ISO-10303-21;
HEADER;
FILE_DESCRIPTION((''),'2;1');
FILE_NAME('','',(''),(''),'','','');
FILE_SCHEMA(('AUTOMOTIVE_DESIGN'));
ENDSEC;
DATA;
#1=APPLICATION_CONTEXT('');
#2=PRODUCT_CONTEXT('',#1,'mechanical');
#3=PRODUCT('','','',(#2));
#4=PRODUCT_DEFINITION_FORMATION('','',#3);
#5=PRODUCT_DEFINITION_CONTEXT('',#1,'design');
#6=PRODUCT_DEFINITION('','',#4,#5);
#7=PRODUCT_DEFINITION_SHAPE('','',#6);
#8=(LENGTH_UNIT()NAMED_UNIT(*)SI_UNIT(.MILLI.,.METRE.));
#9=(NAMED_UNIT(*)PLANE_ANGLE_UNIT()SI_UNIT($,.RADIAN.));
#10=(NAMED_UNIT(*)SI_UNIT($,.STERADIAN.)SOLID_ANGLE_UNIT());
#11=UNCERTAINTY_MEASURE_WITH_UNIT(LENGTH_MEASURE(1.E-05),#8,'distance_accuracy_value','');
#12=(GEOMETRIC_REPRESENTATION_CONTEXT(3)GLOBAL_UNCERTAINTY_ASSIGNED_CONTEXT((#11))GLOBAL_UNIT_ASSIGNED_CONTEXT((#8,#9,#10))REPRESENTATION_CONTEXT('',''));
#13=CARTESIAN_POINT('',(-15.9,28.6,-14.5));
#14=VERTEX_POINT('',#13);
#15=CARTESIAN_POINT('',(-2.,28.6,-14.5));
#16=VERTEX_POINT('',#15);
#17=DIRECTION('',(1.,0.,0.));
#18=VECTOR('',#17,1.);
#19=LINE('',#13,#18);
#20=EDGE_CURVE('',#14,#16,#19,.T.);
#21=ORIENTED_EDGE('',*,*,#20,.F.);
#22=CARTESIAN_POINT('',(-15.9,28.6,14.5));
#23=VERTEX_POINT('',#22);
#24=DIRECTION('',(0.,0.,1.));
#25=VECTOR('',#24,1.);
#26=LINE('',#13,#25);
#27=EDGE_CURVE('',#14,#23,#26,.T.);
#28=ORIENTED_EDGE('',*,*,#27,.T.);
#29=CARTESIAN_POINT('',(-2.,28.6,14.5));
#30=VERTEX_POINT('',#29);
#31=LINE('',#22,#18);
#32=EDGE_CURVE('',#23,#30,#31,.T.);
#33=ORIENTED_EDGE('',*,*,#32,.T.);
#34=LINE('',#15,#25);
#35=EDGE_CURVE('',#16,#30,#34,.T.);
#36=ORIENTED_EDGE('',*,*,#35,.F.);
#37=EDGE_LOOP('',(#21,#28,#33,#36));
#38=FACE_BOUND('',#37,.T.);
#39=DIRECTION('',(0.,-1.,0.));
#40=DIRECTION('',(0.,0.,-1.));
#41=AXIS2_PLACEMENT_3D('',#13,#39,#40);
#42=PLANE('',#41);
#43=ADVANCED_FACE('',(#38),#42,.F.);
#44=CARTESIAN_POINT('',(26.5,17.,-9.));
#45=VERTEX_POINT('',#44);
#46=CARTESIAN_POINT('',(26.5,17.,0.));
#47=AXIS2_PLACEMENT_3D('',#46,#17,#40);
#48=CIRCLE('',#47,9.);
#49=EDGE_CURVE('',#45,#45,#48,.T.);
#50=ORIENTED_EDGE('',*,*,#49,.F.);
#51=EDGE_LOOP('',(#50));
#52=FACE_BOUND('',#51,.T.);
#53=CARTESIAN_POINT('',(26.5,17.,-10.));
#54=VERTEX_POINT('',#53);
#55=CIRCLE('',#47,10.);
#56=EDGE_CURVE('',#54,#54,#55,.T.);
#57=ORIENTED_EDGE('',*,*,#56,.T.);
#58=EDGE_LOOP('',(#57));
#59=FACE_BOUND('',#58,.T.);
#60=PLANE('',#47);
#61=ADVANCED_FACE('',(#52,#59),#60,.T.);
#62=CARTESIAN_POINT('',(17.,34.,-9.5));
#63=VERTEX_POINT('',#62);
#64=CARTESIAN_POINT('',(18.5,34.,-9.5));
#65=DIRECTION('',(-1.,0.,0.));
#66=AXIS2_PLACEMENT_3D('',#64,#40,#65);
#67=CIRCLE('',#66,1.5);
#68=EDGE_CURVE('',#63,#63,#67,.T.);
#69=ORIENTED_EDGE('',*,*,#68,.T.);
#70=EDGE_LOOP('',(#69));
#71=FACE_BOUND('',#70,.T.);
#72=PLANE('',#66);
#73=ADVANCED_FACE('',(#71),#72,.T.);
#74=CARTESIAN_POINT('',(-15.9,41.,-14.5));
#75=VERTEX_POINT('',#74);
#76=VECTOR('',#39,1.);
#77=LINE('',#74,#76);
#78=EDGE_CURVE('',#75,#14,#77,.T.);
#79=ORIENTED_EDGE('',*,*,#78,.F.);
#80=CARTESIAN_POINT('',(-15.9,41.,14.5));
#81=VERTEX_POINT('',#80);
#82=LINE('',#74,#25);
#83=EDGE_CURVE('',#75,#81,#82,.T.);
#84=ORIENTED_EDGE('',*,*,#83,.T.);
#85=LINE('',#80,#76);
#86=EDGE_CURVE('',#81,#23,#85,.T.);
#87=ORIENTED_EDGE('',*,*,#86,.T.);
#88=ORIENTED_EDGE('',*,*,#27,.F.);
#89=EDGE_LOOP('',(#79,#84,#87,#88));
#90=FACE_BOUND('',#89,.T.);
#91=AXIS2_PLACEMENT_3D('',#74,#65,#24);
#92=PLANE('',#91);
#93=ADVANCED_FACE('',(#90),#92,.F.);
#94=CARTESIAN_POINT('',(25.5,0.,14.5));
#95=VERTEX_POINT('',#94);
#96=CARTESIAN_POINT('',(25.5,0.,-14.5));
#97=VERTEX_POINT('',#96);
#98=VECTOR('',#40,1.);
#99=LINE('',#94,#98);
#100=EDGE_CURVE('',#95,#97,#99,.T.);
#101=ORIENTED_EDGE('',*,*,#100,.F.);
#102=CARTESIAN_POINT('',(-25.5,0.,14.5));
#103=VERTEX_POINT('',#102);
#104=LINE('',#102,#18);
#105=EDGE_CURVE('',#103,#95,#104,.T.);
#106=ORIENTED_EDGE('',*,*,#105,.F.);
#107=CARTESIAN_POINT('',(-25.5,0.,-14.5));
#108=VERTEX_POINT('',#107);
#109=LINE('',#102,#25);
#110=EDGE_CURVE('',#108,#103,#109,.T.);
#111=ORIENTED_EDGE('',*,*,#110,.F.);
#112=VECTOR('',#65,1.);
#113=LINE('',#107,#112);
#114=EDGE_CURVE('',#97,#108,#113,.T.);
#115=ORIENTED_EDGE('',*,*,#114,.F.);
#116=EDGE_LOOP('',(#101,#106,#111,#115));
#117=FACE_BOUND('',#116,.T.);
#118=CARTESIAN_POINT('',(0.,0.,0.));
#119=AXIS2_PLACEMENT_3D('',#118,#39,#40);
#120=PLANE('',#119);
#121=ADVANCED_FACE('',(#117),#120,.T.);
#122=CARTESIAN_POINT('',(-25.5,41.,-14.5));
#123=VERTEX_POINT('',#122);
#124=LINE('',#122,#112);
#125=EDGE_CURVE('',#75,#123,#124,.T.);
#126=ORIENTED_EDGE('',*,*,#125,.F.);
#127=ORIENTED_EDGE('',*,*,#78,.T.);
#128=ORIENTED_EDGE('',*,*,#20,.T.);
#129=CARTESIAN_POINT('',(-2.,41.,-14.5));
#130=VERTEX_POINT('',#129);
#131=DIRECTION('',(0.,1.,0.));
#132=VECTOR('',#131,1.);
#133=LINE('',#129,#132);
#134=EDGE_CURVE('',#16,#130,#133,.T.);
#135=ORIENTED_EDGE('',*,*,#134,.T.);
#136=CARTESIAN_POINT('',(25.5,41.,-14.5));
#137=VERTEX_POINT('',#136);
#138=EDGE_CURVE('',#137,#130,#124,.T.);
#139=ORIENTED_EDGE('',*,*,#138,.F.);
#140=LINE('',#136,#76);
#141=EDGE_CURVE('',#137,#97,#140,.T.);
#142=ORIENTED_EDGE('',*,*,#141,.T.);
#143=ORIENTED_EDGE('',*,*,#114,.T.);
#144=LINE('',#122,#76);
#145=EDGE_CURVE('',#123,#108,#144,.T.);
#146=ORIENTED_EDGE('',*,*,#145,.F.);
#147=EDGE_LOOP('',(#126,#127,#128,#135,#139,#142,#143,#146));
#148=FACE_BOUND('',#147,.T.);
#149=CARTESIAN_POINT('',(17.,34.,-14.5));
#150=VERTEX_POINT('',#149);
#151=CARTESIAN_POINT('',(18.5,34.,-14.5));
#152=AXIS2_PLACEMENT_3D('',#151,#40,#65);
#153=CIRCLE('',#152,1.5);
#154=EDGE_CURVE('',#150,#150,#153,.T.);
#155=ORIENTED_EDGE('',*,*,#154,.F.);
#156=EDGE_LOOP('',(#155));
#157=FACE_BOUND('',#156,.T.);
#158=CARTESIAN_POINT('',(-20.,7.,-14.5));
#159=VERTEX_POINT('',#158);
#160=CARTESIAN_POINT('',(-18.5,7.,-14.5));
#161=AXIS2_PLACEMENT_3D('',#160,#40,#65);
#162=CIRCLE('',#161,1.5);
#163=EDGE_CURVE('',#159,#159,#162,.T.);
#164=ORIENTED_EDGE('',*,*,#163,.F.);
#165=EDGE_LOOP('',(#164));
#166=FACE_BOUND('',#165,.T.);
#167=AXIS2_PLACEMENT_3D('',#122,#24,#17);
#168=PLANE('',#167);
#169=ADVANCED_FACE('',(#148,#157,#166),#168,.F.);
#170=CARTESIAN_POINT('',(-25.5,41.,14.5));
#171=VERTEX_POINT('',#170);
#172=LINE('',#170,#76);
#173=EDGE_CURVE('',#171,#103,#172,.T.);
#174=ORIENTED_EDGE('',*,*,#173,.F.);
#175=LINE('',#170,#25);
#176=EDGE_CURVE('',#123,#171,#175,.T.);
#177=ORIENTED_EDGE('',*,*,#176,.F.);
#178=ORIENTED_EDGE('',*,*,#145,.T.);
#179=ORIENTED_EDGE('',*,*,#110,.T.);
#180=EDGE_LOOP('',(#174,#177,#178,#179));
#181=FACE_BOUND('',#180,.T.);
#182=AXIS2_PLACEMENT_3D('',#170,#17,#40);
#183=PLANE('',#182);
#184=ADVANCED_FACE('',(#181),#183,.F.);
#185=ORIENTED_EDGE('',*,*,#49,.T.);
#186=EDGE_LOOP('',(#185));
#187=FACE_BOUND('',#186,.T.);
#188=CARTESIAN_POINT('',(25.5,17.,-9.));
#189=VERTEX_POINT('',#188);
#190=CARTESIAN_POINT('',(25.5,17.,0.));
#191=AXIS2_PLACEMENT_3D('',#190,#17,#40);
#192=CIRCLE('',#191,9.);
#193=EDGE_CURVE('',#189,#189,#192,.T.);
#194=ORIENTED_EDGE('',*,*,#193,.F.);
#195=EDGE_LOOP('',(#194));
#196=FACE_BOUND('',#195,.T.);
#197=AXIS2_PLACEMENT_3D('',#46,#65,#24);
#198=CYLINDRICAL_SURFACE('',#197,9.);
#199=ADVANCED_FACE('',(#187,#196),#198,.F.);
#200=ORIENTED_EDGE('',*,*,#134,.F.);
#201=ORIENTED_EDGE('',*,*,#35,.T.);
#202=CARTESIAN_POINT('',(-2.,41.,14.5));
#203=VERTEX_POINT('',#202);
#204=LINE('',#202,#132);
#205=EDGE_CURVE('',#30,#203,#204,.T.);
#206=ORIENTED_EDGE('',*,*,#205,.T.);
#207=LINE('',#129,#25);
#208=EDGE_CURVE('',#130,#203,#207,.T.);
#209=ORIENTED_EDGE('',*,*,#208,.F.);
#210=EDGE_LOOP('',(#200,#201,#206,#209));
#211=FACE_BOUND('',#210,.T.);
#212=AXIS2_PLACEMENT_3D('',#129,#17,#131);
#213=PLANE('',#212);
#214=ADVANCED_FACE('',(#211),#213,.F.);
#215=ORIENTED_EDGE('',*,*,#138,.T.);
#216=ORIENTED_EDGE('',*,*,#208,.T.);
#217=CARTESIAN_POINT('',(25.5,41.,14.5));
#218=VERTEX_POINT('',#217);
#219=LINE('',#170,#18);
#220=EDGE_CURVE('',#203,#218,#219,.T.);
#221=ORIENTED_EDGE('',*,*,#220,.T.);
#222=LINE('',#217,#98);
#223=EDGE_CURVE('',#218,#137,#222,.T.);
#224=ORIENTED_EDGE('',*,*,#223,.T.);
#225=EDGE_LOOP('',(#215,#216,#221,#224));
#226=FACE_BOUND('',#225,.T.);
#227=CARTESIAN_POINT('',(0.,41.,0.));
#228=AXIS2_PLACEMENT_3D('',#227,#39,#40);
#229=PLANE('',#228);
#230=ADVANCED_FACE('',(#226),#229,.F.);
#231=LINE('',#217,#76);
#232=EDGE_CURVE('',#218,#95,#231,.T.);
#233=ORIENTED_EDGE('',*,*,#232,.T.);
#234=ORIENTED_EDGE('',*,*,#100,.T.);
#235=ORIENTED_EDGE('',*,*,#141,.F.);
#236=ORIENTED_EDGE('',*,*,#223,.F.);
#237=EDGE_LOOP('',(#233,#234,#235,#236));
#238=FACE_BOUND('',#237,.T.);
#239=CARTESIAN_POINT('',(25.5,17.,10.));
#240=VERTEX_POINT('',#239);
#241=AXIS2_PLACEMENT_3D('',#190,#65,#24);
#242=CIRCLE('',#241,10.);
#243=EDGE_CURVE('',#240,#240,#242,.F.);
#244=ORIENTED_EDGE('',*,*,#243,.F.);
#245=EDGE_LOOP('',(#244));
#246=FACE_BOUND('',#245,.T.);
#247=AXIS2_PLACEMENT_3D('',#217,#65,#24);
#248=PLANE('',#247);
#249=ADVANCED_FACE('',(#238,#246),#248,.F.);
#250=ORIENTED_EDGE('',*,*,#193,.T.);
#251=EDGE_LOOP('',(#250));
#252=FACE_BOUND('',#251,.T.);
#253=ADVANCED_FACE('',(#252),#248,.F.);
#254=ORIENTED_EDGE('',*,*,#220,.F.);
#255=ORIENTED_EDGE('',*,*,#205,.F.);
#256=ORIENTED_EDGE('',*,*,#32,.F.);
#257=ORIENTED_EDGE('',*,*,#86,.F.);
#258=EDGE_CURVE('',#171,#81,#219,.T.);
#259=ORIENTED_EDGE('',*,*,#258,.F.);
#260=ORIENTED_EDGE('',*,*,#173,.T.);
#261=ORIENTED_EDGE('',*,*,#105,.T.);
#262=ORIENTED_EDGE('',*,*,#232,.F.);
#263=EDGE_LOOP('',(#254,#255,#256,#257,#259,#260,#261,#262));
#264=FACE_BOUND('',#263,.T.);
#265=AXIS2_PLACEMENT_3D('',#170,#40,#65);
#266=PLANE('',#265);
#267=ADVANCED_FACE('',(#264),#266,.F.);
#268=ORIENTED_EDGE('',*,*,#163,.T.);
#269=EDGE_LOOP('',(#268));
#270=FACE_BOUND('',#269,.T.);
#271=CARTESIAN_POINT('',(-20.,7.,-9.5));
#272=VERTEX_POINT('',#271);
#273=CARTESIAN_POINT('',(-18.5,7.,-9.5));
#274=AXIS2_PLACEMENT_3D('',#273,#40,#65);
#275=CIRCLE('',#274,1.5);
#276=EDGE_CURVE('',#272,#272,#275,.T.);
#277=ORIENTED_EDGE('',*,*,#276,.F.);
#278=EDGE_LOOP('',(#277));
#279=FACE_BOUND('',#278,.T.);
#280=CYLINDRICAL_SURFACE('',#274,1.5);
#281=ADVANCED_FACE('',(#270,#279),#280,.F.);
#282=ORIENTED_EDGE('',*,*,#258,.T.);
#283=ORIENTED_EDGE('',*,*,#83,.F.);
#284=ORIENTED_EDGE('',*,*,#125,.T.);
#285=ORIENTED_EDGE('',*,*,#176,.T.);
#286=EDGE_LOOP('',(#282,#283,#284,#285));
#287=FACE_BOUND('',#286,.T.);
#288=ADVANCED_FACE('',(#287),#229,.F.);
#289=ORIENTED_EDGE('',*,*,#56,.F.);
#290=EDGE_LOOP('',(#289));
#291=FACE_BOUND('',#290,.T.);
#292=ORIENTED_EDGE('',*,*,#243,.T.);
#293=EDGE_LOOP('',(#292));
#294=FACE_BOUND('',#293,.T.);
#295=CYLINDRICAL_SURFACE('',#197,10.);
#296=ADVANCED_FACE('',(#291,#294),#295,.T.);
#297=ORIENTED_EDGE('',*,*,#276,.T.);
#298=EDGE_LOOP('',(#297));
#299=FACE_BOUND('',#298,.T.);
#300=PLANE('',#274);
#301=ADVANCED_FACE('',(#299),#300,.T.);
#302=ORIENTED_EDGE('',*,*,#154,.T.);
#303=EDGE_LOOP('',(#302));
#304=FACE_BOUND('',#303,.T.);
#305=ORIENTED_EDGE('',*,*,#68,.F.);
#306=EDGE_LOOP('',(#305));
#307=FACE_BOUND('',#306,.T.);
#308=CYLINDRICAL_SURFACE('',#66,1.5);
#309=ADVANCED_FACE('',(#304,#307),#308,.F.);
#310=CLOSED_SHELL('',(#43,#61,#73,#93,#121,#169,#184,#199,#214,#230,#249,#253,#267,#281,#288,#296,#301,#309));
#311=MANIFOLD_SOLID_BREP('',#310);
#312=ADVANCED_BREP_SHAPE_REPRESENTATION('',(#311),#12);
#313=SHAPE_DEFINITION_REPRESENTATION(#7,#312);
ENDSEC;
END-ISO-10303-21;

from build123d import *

# Parameters (mm, degrees)
SKETCH1_W           = 51
SKETCH1_H           = 29
BOSS_EXTRUDE1_DEPTH = 41
SKETCH2_R           = 10
SKETCH2_R_2         = 9
BOSS_EXTRUDE2_DEPTH = 1
SKETCH3_W           = 13.9
SKETCH3_H           = 12.4
CUT_EXTRUDE1_DEPTH  = 57.782479692
SKETCH4_R           = 1.5
CUT_EXTRUDE2_DEPTH  = 5


with BuildPart() as part:
    # Sketch1 → Boss-Extrude1 (new body)
    with BuildSketch(Plane(origin=(0, 0, 0), x_dir=(1, 0, 0), z_dir=(0, 1, 0))):
        Rectangle(SKETCH1_W, SKETCH1_H)
    extrude(amount=BOSS_EXTRUDE1_DEPTH)

    # Sketch2 → Boss-Extrude2 (add)
    with BuildSketch(Plane(origin=(25.5, 0, 0), x_dir=(0, 0, -1), z_dir=(1, 0, 0))):
        with Locations(Location((0, 17, 0), (0, 0, 180))):
            Circle(SKETCH2_R)
        with Locations((0, 17)):
            Circle(SKETCH2_R_2, mode=Mode.SUBTRACT)
    extrude(amount=BOSS_EXTRUDE2_DEPTH)

    # Sketch3 → Cut-Extrude1 (cut, through all)
    with BuildSketch(Plane.XY.offset(14.5)):
        with Locations((-8.95, 34.8)):
            Rectangle(SKETCH3_W, SKETCH3_H)
    extrude(amount=-CUT_EXTRUDE1_DEPTH, mode=Mode.SUBTRACT)

    # Sketch4 → Cut-Extrude2 (cut)
    with BuildSketch(Plane(origin=(0, 0, -14.5), x_dir=(-1, 0, 0), z_dir=(0, 0, -1))):
        with Locations((-18.5, 34)):
            Circle(SKETCH4_R)
        with Locations((18.5, 7)):
            Circle(SKETCH4_R)
    extrude(amount=-CUT_EXTRUDE2_DEPTH, mode=Mode.SUBTRACT)


solid = part.part
